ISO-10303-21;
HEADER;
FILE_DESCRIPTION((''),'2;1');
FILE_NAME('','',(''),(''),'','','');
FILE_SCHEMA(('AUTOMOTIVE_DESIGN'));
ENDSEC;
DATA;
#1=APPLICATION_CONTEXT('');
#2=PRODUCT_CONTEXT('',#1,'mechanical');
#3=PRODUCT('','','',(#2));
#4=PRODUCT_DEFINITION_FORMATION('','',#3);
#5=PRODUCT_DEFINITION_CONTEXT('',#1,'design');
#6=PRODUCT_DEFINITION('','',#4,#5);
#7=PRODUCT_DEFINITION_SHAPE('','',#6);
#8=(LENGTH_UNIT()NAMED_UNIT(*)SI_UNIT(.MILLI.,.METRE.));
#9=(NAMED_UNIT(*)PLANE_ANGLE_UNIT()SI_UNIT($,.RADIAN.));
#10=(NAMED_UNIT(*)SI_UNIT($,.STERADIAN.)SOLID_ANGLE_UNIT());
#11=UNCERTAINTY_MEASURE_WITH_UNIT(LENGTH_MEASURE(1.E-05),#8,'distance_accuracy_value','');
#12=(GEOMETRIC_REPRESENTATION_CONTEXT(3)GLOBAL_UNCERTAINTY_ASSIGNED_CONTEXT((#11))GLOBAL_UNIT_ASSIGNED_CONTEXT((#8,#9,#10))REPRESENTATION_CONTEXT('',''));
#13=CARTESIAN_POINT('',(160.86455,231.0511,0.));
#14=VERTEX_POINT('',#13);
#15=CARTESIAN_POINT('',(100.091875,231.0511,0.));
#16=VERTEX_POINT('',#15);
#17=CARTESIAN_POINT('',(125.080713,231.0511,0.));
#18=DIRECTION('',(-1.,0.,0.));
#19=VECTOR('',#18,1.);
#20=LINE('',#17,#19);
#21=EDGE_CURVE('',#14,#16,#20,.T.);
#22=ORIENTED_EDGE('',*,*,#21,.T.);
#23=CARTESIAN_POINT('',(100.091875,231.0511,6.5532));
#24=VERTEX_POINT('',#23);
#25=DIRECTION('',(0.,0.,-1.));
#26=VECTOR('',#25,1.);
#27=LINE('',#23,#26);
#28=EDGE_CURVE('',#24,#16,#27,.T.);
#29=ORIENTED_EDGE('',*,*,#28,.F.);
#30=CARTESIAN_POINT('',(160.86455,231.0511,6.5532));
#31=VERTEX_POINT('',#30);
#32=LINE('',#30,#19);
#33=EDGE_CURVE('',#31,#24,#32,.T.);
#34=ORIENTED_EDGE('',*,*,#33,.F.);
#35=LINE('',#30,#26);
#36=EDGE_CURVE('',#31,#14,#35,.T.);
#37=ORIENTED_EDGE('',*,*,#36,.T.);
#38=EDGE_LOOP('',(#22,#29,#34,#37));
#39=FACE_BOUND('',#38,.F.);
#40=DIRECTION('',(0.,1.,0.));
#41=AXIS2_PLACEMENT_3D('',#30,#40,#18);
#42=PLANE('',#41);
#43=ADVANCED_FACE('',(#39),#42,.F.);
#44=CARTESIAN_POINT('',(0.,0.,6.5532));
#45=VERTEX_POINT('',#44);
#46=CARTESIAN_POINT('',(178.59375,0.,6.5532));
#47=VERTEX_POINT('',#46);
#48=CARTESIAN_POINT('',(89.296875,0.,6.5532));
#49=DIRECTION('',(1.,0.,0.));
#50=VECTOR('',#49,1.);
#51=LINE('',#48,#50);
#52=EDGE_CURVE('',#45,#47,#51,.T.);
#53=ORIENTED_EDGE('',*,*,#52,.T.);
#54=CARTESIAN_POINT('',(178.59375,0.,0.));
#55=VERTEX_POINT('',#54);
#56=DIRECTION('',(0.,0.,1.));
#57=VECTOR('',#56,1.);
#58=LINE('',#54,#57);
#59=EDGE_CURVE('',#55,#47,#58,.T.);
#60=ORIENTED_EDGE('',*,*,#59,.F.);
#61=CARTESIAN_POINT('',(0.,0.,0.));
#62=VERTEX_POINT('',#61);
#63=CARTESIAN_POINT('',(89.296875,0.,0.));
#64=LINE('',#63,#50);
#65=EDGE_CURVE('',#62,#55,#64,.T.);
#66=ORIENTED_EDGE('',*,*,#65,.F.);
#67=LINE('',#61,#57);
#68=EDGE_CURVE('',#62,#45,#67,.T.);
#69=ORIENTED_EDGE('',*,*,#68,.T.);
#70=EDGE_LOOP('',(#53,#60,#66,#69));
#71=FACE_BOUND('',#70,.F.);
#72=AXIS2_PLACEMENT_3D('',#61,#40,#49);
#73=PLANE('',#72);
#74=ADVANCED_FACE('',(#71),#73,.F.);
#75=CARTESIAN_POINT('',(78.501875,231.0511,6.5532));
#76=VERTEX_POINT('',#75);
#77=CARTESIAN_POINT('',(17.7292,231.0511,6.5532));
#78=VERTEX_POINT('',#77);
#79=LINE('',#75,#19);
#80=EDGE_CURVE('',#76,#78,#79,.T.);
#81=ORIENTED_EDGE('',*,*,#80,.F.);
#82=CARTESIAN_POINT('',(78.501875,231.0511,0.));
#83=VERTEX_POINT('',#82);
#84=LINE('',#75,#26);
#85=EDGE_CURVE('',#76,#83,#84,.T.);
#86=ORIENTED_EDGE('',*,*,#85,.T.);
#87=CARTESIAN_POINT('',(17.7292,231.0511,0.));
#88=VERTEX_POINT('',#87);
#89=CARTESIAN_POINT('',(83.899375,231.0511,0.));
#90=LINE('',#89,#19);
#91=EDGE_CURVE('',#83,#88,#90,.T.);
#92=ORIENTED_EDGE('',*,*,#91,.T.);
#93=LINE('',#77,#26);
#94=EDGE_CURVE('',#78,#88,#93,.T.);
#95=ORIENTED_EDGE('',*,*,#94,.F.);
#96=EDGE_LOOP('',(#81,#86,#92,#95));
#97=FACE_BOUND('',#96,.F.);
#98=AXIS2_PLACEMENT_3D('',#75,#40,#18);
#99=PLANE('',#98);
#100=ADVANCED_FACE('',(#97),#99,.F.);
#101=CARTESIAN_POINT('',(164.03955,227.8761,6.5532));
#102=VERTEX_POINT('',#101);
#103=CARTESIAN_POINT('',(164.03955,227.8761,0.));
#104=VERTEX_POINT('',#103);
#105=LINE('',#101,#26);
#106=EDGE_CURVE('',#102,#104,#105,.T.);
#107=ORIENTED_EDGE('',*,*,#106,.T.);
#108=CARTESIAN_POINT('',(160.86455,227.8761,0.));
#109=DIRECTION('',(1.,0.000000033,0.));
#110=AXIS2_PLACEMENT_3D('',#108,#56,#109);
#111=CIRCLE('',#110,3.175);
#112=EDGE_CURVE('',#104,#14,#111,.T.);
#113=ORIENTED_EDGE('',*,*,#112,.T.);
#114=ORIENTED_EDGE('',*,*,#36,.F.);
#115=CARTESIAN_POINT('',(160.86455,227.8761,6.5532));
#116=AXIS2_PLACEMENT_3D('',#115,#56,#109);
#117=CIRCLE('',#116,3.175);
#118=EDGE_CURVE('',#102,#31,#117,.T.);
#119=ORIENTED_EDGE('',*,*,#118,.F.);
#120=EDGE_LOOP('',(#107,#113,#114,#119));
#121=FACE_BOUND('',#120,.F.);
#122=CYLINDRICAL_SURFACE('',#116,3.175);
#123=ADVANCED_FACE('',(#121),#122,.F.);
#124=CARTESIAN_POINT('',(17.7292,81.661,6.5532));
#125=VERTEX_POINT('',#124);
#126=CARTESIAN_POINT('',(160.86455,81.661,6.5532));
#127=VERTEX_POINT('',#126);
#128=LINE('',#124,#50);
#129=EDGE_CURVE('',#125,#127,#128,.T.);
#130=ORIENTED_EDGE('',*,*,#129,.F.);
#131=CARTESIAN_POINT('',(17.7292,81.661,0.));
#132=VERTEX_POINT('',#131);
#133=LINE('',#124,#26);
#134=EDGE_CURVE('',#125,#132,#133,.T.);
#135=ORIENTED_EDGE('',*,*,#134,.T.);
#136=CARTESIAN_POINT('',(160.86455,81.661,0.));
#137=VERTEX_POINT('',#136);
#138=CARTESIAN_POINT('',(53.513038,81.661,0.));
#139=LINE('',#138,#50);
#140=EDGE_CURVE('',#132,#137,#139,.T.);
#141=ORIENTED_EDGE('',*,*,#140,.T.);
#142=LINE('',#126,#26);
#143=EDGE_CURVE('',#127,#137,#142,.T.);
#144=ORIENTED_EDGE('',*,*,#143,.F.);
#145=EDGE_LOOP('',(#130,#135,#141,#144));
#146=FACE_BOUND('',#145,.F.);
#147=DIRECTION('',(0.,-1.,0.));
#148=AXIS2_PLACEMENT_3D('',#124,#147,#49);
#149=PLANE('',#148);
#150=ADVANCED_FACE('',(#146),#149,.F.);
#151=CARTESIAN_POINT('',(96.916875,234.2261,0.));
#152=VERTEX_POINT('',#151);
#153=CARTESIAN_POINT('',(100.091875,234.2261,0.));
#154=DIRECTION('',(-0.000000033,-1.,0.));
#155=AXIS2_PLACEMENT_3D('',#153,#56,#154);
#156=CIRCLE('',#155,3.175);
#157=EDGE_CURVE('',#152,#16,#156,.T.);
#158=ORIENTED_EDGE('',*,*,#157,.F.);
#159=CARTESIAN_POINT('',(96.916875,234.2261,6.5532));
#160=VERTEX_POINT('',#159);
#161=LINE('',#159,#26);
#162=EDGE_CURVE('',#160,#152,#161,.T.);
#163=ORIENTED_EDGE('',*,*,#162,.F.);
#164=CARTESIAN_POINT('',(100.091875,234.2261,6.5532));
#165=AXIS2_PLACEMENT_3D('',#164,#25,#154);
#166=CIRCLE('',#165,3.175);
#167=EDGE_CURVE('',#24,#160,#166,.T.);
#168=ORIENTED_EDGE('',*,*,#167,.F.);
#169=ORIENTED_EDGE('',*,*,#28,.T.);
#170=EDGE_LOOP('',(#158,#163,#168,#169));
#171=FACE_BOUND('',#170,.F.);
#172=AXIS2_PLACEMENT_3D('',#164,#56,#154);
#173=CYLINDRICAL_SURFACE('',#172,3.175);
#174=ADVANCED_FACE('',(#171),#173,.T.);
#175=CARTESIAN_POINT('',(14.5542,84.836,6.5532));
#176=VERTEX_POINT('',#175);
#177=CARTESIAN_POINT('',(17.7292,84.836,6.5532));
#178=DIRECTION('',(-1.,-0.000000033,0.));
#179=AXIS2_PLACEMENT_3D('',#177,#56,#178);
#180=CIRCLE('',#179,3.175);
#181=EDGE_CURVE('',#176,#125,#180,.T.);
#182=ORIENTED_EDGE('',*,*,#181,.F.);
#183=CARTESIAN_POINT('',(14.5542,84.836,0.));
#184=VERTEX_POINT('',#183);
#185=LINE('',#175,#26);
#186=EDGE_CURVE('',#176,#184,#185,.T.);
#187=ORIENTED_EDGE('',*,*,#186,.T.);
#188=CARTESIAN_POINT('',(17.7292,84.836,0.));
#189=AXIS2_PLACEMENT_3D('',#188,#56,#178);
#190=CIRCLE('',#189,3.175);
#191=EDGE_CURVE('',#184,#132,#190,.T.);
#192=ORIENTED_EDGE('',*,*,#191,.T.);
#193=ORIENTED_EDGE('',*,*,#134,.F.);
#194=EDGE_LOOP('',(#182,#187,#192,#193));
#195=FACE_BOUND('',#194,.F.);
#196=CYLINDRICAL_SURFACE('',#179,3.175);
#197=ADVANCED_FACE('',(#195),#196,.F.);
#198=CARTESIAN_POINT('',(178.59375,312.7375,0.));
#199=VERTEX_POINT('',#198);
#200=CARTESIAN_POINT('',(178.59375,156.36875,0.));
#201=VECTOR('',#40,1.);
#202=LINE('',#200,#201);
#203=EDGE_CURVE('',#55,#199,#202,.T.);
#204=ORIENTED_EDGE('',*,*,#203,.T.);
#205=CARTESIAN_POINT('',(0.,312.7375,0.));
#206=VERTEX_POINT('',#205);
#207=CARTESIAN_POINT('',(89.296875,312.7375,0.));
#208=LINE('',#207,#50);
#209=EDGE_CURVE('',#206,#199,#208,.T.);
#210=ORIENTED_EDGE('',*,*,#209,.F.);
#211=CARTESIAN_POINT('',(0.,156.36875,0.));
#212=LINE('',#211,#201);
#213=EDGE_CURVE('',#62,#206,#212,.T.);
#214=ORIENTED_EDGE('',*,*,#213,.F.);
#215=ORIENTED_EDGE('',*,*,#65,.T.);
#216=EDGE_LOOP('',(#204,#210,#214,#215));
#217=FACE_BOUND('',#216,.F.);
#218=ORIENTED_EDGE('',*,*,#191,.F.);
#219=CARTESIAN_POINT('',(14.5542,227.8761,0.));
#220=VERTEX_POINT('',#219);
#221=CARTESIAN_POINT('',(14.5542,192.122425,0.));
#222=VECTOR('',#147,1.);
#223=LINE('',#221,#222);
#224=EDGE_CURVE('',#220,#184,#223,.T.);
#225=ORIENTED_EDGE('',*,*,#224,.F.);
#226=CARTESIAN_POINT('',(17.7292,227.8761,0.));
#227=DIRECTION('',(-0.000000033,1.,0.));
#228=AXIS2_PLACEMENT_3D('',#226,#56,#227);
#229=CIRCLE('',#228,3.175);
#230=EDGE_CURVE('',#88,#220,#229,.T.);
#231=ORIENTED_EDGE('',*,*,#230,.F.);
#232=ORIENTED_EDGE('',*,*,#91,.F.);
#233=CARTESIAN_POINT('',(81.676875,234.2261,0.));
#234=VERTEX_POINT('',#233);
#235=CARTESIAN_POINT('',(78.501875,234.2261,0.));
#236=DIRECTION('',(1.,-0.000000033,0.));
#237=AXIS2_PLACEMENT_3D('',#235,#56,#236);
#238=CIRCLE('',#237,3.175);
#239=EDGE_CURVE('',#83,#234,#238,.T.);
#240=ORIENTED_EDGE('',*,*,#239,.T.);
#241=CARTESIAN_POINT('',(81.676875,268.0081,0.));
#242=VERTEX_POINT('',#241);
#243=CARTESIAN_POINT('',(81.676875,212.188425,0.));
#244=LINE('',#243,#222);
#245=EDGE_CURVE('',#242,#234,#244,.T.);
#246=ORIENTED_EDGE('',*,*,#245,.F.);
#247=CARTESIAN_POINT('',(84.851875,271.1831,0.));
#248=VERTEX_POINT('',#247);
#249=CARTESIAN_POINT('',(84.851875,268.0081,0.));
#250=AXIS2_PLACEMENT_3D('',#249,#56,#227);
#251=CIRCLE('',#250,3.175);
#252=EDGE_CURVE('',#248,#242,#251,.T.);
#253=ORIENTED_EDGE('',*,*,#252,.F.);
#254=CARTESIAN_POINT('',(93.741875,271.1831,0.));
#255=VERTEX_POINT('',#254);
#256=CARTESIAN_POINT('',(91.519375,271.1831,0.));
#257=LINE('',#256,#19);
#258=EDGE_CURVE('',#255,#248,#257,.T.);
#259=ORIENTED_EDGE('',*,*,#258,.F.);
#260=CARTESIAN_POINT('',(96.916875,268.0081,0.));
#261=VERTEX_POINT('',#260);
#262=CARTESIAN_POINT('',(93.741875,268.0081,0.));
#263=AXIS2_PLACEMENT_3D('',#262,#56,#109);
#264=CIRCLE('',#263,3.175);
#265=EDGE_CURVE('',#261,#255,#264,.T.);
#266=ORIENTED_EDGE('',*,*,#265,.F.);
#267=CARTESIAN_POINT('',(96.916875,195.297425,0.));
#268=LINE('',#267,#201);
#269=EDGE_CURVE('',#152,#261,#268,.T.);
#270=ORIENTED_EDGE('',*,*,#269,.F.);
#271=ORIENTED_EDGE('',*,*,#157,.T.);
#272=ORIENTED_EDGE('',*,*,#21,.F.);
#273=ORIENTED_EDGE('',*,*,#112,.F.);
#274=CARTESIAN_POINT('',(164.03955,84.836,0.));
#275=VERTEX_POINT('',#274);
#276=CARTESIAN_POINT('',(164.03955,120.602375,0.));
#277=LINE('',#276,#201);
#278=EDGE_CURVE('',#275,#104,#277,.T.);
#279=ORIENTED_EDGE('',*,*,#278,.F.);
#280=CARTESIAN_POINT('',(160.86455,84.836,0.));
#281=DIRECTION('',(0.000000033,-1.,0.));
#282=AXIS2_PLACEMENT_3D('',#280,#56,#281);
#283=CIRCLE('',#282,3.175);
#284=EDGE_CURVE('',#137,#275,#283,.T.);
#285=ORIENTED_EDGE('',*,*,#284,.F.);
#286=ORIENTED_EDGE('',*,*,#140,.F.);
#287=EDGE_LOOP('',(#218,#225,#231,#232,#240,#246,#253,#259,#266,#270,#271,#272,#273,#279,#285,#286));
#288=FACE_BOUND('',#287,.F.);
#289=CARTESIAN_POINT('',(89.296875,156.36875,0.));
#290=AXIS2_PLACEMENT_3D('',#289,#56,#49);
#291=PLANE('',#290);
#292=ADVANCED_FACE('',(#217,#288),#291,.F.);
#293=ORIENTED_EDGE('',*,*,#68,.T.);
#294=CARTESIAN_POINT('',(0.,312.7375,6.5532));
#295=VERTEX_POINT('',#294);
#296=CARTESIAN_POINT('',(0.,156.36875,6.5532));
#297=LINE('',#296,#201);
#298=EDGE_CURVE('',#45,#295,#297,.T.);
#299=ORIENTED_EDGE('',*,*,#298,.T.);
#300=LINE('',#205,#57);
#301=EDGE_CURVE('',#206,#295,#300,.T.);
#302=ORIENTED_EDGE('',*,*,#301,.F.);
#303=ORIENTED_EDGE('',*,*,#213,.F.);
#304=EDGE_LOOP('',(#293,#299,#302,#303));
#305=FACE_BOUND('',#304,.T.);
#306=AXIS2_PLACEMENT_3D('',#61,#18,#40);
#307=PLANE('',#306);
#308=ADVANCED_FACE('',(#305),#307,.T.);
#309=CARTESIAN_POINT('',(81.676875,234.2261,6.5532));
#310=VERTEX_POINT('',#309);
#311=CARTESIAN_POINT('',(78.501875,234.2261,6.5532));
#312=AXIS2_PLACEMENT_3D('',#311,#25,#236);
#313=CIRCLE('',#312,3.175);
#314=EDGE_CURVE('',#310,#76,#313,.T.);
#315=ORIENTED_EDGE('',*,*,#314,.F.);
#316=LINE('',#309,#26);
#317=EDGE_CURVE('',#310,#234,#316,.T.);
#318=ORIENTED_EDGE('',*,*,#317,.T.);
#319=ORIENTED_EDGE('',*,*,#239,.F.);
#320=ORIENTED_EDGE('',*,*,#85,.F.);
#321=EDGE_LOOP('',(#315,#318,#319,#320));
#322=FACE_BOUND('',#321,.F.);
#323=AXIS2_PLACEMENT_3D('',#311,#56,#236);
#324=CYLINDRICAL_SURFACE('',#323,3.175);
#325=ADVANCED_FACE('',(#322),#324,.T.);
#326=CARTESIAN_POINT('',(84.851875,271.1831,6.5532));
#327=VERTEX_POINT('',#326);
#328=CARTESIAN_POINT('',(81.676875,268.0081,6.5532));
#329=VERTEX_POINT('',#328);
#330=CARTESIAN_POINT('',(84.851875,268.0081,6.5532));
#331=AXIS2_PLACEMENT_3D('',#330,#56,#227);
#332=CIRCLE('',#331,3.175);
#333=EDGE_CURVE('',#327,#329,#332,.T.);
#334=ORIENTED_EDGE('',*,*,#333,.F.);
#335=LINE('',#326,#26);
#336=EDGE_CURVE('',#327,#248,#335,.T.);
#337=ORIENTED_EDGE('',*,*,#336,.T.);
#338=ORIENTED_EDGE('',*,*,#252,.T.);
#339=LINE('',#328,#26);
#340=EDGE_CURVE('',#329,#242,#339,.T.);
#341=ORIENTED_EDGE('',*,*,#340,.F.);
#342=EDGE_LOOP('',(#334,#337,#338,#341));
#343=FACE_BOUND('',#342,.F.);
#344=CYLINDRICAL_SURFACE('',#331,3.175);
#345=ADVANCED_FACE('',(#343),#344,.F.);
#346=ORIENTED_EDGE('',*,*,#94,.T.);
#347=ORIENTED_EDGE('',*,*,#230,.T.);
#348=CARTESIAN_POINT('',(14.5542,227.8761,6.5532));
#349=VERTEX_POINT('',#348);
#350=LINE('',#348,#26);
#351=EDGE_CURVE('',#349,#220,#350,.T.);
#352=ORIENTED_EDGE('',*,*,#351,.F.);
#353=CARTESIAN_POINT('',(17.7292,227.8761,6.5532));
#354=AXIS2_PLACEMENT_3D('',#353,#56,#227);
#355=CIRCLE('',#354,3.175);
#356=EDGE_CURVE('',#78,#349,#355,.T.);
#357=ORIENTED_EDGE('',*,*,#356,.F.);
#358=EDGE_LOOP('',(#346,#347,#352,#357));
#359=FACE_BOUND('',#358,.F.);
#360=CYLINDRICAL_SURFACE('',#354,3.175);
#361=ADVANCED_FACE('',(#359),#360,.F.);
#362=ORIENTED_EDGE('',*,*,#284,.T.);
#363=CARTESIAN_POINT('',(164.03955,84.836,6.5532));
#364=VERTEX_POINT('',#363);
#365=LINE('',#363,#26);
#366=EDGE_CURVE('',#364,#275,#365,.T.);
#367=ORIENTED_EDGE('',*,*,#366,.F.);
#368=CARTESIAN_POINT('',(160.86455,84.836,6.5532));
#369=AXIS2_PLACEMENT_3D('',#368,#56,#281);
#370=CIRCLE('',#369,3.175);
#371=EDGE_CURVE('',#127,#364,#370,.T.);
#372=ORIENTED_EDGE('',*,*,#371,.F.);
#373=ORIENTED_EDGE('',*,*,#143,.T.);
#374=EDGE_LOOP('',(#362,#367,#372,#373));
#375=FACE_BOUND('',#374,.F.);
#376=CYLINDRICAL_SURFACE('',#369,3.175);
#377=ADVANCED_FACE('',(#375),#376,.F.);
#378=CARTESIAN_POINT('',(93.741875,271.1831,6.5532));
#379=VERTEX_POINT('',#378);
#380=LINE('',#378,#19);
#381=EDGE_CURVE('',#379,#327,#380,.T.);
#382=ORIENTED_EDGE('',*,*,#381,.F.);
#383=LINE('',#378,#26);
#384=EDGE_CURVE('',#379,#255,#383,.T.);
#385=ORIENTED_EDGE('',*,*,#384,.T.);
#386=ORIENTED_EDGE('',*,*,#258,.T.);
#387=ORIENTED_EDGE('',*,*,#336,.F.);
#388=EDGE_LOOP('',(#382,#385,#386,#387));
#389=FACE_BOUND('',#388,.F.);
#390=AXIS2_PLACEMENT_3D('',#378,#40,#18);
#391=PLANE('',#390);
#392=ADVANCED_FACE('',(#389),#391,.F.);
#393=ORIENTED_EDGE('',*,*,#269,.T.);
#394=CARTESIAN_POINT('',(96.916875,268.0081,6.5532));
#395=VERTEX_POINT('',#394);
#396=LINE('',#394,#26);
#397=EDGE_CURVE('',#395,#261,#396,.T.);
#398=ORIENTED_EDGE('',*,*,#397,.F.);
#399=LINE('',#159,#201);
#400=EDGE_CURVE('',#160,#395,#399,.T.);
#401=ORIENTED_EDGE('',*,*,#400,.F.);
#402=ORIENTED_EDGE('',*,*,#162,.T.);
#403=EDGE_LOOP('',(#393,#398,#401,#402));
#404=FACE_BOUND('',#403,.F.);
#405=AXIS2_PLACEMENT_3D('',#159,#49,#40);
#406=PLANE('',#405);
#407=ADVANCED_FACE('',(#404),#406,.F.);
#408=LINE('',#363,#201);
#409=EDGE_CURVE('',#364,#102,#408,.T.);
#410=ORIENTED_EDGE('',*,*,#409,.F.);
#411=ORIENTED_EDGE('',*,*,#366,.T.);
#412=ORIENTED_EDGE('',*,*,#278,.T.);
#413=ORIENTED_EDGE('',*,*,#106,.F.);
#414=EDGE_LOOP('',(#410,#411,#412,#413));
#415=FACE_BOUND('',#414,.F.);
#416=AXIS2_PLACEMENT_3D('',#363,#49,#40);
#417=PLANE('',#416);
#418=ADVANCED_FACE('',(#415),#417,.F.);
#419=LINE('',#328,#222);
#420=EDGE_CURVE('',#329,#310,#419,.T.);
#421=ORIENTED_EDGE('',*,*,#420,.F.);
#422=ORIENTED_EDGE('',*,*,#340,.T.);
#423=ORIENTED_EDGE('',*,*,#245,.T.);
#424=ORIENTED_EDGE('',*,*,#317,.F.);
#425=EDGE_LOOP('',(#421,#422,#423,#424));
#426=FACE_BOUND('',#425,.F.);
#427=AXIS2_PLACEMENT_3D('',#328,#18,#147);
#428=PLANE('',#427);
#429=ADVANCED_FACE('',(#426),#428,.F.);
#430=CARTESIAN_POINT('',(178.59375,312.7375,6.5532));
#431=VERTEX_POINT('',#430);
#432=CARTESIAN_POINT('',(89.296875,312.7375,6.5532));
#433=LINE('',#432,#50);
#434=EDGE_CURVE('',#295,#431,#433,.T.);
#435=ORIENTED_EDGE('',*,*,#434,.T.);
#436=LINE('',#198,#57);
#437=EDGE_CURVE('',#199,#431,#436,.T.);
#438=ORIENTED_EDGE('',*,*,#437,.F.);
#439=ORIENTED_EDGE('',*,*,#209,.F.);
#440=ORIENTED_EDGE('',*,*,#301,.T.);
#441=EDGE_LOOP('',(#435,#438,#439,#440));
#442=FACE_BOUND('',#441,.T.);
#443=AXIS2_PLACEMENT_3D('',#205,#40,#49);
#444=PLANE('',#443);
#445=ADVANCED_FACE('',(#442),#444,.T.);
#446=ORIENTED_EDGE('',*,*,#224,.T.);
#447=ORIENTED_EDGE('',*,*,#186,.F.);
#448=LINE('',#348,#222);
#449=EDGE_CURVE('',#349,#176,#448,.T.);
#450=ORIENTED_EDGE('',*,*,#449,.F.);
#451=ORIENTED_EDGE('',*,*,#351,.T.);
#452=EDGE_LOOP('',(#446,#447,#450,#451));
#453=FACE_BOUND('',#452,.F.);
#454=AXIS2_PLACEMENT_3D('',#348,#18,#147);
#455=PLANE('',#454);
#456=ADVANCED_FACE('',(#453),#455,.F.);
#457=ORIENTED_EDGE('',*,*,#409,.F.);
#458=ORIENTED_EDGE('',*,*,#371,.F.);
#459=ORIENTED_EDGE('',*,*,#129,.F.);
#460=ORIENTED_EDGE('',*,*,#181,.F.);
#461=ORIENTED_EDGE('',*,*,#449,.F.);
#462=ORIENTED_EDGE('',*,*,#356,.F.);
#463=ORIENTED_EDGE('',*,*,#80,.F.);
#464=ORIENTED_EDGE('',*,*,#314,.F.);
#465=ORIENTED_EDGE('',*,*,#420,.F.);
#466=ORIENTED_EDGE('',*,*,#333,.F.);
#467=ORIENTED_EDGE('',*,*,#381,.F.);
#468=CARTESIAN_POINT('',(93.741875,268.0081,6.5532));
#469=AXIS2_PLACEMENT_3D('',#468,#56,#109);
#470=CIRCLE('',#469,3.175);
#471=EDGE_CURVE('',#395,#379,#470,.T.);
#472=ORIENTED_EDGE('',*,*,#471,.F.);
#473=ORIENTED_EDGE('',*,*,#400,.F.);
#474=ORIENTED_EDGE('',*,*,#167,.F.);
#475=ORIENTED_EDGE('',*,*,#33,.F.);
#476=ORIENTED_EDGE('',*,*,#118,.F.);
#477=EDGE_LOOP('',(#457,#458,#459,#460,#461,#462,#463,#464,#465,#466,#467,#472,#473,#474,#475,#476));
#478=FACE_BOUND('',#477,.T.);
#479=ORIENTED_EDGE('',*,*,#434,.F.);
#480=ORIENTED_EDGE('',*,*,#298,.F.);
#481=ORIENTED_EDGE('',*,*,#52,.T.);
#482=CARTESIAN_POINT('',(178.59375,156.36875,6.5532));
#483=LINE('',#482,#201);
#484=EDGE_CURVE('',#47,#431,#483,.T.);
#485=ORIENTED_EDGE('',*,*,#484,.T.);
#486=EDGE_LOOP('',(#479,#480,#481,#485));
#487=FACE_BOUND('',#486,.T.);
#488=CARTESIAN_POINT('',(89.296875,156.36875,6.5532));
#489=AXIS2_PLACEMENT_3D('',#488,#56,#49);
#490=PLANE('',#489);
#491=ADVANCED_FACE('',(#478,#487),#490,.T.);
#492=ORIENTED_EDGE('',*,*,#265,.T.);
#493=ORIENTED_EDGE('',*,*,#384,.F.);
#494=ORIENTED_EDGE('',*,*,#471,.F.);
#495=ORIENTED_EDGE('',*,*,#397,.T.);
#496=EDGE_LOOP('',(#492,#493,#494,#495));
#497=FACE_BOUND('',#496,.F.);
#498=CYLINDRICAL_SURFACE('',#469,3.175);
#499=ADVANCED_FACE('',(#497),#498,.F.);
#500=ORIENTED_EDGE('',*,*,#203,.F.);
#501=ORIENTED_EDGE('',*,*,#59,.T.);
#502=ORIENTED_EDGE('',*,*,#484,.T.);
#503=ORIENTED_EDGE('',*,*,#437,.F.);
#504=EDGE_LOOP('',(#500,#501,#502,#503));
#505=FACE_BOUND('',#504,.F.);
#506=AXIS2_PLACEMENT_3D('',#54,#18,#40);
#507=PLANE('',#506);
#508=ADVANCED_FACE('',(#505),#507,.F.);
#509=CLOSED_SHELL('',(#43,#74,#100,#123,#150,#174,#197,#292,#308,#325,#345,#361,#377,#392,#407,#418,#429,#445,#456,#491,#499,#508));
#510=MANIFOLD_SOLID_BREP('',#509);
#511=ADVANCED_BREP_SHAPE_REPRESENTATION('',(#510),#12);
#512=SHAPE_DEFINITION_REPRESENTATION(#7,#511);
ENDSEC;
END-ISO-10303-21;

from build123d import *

# Parameters (mm, degrees)
F0_W     = 178.59375
F0_H     = 312.7375
F1_DEPTH = 6.5532
F3_DEPTH = 25.4


with BuildPart() as f1:
    # F0 (on Top) → F1 (new body)
    with BuildSketch(Plane.XY):
        with Locations((89.296875, 156.36875)):
            Rectangle(F0_W, F0_H)
    extrude(amount=F1_DEPTH)

    # F2 (on face) → F3 (cut)
    with BuildSketch(Plane.XY.offset(6.5532)):
        with BuildLine():
            Line((78.501875, 231.0511), (17.7292, 231.0511))
            ThreePointArc((17.7292, 231.0511), (15.484136, 230.121164), (14.5542, 227.8761))
            Line((14.5542, 227.8761), (14.5542, 84.836))
            ThreePointArc((14.5542, 84.836), (15.484136, 82.590936), (17.7292, 81.661))
            Line((17.7292, 81.661), (160.86455, 81.661))
            ThreePointArc((160.86455, 81.661), (163.109614, 82.590936), (164.03955, 84.836))
            Line((164.03955, 84.836), (164.03955, 227.8761))
            ThreePointArc((164.03955, 227.8761), (163.109614, 230.121164), (160.86455, 231.0511))
            Line((160.86455, 231.0511), (100.091875, 231.0511))
            ThreePointArc((100.091875, 231.0511), (97.846811, 231.981036), (96.916875, 234.2261))
            Line((96.916875, 234.2261), (96.916875, 268.0081))
            ThreePointArc((96.916875, 268.0081), (95.986939, 270.253164), (93.741875, 271.1831))
            Line((93.741875, 271.1831), (84.851875, 271.1831))
            ThreePointArc((84.851875, 271.1831), (82.606811, 270.253164), (81.676875, 268.0081))
            Line((81.676875, 268.0081), (81.676875, 234.2261))
            ThreePointArc((81.676875, 234.2261), (80.746939, 231.981036), (78.501875, 231.0511))
        make_face()
    extrude(amount=-F3_DEPTH, mode=Mode.SUBTRACT)


solid = f1.part
